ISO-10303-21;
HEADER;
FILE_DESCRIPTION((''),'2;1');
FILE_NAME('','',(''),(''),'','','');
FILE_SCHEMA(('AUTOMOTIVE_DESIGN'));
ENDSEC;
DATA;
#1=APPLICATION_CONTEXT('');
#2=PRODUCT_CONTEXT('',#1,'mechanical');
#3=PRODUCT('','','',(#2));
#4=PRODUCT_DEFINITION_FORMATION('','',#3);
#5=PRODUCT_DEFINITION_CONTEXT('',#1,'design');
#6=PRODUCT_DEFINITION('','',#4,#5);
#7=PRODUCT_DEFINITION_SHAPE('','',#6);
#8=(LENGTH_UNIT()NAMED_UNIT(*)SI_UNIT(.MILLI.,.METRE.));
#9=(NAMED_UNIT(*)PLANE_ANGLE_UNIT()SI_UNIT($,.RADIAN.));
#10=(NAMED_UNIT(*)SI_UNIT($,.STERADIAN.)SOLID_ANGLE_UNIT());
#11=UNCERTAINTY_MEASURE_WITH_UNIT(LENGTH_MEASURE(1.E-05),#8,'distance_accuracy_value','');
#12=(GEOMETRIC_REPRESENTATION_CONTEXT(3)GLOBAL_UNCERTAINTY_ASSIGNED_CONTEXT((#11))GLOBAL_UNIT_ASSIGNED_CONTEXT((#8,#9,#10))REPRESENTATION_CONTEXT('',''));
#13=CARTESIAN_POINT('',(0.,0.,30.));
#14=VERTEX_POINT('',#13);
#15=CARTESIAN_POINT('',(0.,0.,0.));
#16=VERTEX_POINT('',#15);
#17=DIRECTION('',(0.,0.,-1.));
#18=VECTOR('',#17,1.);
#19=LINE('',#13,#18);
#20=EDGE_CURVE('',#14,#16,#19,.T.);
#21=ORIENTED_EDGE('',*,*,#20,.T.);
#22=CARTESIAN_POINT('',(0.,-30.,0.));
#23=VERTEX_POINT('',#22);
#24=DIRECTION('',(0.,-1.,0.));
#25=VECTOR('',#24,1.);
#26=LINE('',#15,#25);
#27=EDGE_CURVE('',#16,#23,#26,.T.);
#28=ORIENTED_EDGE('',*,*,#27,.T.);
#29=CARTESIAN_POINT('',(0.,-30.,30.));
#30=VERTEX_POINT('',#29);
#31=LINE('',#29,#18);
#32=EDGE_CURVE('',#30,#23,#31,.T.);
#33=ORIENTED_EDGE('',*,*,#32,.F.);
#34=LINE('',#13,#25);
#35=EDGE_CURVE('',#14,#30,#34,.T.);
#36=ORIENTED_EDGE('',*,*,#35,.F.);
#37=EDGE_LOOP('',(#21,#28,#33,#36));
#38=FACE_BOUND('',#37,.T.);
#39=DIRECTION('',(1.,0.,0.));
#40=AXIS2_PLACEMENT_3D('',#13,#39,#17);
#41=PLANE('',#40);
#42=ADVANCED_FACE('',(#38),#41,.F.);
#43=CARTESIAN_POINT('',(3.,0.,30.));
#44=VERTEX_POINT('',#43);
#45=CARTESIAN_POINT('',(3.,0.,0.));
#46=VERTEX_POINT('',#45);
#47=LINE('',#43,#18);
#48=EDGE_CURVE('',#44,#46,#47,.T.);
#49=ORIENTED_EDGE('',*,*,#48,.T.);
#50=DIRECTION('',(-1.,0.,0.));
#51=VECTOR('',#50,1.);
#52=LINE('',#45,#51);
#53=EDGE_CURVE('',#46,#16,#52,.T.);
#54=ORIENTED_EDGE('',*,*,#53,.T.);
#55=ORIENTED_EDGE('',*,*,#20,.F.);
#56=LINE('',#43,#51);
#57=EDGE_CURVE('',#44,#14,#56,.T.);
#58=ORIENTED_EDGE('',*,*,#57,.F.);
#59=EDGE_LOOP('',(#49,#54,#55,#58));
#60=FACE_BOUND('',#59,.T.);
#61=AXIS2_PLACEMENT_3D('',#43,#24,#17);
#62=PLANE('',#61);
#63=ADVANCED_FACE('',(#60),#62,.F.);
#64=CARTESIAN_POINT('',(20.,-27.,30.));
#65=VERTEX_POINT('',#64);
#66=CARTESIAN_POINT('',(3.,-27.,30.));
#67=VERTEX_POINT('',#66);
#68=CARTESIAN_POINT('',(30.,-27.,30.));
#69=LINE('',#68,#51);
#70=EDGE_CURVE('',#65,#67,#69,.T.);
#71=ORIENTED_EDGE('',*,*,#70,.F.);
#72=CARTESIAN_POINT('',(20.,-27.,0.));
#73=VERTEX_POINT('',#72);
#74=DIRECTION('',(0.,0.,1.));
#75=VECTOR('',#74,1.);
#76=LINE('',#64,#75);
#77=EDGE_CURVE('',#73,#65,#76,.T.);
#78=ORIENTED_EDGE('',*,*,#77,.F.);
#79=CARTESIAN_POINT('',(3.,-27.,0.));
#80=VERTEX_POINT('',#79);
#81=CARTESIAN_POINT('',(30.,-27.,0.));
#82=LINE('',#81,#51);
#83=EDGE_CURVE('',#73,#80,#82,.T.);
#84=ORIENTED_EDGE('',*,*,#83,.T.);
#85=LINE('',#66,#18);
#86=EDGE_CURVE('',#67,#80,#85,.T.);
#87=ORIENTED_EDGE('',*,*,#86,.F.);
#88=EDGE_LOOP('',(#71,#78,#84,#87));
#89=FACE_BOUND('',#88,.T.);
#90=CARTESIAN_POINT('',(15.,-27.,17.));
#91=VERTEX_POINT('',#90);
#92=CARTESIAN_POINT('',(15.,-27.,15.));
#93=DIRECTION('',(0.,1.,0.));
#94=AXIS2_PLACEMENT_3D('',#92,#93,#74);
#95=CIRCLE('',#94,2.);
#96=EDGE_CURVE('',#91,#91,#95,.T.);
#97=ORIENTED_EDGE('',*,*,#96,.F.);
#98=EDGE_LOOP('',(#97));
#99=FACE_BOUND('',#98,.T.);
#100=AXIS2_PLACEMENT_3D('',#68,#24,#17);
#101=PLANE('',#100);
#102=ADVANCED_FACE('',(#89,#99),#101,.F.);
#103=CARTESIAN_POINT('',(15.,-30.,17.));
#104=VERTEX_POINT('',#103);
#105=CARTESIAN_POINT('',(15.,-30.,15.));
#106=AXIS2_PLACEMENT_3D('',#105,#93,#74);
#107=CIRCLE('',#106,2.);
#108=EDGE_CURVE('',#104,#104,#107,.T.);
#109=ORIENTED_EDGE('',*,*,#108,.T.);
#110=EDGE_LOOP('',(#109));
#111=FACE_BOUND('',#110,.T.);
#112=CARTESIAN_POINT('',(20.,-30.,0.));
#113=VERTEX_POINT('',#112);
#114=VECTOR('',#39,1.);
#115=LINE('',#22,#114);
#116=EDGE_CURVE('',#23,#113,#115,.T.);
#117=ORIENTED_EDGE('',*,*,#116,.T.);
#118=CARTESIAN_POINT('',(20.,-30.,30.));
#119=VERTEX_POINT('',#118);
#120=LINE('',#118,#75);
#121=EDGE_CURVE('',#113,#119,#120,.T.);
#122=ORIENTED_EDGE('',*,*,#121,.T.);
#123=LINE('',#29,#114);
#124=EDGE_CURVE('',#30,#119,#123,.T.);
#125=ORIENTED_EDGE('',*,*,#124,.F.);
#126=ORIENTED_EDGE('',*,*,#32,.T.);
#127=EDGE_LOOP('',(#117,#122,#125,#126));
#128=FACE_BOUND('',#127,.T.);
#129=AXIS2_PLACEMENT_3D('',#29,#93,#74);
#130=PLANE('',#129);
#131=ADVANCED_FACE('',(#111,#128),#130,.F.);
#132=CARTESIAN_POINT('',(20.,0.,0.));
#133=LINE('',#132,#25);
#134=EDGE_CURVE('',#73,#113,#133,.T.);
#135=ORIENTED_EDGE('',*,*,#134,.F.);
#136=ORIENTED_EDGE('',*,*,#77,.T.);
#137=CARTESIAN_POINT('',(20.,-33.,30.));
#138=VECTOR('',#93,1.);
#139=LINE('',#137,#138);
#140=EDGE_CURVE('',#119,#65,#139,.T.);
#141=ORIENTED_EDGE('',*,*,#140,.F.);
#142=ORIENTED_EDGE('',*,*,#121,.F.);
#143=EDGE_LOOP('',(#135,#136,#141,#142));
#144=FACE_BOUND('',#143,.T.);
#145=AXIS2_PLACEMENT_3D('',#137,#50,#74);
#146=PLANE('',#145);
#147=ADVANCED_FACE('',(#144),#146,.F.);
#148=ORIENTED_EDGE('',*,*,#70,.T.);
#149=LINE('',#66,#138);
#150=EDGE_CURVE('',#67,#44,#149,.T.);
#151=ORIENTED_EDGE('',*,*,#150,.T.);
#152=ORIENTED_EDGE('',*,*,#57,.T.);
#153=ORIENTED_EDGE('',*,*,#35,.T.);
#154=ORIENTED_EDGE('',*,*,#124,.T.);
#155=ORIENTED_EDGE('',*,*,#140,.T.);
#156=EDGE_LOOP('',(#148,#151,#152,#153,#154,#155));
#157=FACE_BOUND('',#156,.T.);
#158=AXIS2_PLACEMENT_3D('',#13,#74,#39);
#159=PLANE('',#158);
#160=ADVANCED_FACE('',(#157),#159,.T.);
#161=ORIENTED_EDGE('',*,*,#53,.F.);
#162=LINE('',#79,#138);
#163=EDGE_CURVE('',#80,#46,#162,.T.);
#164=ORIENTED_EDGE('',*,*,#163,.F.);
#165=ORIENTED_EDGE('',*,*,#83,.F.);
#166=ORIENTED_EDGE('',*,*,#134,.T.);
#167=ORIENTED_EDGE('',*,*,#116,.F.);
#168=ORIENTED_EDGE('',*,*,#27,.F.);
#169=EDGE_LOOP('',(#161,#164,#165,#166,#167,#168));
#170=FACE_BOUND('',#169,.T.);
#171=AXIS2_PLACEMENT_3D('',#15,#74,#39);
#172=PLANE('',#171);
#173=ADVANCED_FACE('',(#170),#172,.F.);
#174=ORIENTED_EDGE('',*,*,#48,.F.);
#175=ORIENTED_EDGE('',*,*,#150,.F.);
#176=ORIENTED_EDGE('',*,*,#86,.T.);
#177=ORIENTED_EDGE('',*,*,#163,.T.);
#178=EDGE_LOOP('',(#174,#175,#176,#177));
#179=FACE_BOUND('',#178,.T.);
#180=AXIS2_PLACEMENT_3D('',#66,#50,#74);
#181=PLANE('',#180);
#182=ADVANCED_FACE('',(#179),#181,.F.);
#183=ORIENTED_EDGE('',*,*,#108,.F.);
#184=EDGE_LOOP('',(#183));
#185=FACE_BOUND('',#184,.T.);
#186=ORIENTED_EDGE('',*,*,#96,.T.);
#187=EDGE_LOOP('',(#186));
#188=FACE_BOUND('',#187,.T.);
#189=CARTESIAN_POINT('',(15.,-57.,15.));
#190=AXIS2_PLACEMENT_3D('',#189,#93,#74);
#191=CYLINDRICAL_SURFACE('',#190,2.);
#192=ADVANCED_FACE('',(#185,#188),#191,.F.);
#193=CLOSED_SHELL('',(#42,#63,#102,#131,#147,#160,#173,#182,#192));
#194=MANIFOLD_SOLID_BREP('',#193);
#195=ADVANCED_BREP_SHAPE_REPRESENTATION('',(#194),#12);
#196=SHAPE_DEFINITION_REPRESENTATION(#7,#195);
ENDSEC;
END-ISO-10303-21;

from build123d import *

# Parameters (mm, degrees)
BOSS_EXTRUDE1_DEPTH = 30
SKETCH2_R           = 2
CUT_EXTRUDE1_DEPTH  = 30
SKETCH3_W           = 10
SKETCH3_H           = 30
CUT_EXTRUDE2_DEPTH  = 6


with BuildPart() as part:
    # Sketch1 → Boss-Extrude1 (new body)
    with BuildSketch(Plane(origin=(0, 0, 0), x_dir=(0, 1, 0), z_dir=(0, 0, 1))):
        Polygon((0, 0), (-30, 0), (-30, -30), (-27, -30), (-27, -3), (0, -3), align=None)
    extrude(amount=BOSS_EXTRUDE1_DEPTH)

    # Sketch2 → Cut-Extrude1 (cut)
    with BuildSketch(Plane(origin=(0, -27, 0), x_dir=(-1, 0, 0), z_dir=(0, 1, 0))):
        with Locations(Location((-15, 15, 0), (0, 0, 90))):
            Circle(SKETCH2_R)
    extrude(amount=-CUT_EXTRUDE1_DEPTH, mode=Mode.SUBTRACT)

    # Sketch3 → Cut-Extrude2 (cut)
    with BuildSketch(Plane(origin=(0, -27, 0), x_dir=(-1, 0, 0), z_dir=(0, 1, 0))):
        with Locations((-25, 15)):
            Rectangle(SKETCH3_W, SKETCH3_H)
    extrude(amount=-CUT_EXTRUDE2_DEPTH, mode=Mode.SUBTRACT)


solid = part.part
